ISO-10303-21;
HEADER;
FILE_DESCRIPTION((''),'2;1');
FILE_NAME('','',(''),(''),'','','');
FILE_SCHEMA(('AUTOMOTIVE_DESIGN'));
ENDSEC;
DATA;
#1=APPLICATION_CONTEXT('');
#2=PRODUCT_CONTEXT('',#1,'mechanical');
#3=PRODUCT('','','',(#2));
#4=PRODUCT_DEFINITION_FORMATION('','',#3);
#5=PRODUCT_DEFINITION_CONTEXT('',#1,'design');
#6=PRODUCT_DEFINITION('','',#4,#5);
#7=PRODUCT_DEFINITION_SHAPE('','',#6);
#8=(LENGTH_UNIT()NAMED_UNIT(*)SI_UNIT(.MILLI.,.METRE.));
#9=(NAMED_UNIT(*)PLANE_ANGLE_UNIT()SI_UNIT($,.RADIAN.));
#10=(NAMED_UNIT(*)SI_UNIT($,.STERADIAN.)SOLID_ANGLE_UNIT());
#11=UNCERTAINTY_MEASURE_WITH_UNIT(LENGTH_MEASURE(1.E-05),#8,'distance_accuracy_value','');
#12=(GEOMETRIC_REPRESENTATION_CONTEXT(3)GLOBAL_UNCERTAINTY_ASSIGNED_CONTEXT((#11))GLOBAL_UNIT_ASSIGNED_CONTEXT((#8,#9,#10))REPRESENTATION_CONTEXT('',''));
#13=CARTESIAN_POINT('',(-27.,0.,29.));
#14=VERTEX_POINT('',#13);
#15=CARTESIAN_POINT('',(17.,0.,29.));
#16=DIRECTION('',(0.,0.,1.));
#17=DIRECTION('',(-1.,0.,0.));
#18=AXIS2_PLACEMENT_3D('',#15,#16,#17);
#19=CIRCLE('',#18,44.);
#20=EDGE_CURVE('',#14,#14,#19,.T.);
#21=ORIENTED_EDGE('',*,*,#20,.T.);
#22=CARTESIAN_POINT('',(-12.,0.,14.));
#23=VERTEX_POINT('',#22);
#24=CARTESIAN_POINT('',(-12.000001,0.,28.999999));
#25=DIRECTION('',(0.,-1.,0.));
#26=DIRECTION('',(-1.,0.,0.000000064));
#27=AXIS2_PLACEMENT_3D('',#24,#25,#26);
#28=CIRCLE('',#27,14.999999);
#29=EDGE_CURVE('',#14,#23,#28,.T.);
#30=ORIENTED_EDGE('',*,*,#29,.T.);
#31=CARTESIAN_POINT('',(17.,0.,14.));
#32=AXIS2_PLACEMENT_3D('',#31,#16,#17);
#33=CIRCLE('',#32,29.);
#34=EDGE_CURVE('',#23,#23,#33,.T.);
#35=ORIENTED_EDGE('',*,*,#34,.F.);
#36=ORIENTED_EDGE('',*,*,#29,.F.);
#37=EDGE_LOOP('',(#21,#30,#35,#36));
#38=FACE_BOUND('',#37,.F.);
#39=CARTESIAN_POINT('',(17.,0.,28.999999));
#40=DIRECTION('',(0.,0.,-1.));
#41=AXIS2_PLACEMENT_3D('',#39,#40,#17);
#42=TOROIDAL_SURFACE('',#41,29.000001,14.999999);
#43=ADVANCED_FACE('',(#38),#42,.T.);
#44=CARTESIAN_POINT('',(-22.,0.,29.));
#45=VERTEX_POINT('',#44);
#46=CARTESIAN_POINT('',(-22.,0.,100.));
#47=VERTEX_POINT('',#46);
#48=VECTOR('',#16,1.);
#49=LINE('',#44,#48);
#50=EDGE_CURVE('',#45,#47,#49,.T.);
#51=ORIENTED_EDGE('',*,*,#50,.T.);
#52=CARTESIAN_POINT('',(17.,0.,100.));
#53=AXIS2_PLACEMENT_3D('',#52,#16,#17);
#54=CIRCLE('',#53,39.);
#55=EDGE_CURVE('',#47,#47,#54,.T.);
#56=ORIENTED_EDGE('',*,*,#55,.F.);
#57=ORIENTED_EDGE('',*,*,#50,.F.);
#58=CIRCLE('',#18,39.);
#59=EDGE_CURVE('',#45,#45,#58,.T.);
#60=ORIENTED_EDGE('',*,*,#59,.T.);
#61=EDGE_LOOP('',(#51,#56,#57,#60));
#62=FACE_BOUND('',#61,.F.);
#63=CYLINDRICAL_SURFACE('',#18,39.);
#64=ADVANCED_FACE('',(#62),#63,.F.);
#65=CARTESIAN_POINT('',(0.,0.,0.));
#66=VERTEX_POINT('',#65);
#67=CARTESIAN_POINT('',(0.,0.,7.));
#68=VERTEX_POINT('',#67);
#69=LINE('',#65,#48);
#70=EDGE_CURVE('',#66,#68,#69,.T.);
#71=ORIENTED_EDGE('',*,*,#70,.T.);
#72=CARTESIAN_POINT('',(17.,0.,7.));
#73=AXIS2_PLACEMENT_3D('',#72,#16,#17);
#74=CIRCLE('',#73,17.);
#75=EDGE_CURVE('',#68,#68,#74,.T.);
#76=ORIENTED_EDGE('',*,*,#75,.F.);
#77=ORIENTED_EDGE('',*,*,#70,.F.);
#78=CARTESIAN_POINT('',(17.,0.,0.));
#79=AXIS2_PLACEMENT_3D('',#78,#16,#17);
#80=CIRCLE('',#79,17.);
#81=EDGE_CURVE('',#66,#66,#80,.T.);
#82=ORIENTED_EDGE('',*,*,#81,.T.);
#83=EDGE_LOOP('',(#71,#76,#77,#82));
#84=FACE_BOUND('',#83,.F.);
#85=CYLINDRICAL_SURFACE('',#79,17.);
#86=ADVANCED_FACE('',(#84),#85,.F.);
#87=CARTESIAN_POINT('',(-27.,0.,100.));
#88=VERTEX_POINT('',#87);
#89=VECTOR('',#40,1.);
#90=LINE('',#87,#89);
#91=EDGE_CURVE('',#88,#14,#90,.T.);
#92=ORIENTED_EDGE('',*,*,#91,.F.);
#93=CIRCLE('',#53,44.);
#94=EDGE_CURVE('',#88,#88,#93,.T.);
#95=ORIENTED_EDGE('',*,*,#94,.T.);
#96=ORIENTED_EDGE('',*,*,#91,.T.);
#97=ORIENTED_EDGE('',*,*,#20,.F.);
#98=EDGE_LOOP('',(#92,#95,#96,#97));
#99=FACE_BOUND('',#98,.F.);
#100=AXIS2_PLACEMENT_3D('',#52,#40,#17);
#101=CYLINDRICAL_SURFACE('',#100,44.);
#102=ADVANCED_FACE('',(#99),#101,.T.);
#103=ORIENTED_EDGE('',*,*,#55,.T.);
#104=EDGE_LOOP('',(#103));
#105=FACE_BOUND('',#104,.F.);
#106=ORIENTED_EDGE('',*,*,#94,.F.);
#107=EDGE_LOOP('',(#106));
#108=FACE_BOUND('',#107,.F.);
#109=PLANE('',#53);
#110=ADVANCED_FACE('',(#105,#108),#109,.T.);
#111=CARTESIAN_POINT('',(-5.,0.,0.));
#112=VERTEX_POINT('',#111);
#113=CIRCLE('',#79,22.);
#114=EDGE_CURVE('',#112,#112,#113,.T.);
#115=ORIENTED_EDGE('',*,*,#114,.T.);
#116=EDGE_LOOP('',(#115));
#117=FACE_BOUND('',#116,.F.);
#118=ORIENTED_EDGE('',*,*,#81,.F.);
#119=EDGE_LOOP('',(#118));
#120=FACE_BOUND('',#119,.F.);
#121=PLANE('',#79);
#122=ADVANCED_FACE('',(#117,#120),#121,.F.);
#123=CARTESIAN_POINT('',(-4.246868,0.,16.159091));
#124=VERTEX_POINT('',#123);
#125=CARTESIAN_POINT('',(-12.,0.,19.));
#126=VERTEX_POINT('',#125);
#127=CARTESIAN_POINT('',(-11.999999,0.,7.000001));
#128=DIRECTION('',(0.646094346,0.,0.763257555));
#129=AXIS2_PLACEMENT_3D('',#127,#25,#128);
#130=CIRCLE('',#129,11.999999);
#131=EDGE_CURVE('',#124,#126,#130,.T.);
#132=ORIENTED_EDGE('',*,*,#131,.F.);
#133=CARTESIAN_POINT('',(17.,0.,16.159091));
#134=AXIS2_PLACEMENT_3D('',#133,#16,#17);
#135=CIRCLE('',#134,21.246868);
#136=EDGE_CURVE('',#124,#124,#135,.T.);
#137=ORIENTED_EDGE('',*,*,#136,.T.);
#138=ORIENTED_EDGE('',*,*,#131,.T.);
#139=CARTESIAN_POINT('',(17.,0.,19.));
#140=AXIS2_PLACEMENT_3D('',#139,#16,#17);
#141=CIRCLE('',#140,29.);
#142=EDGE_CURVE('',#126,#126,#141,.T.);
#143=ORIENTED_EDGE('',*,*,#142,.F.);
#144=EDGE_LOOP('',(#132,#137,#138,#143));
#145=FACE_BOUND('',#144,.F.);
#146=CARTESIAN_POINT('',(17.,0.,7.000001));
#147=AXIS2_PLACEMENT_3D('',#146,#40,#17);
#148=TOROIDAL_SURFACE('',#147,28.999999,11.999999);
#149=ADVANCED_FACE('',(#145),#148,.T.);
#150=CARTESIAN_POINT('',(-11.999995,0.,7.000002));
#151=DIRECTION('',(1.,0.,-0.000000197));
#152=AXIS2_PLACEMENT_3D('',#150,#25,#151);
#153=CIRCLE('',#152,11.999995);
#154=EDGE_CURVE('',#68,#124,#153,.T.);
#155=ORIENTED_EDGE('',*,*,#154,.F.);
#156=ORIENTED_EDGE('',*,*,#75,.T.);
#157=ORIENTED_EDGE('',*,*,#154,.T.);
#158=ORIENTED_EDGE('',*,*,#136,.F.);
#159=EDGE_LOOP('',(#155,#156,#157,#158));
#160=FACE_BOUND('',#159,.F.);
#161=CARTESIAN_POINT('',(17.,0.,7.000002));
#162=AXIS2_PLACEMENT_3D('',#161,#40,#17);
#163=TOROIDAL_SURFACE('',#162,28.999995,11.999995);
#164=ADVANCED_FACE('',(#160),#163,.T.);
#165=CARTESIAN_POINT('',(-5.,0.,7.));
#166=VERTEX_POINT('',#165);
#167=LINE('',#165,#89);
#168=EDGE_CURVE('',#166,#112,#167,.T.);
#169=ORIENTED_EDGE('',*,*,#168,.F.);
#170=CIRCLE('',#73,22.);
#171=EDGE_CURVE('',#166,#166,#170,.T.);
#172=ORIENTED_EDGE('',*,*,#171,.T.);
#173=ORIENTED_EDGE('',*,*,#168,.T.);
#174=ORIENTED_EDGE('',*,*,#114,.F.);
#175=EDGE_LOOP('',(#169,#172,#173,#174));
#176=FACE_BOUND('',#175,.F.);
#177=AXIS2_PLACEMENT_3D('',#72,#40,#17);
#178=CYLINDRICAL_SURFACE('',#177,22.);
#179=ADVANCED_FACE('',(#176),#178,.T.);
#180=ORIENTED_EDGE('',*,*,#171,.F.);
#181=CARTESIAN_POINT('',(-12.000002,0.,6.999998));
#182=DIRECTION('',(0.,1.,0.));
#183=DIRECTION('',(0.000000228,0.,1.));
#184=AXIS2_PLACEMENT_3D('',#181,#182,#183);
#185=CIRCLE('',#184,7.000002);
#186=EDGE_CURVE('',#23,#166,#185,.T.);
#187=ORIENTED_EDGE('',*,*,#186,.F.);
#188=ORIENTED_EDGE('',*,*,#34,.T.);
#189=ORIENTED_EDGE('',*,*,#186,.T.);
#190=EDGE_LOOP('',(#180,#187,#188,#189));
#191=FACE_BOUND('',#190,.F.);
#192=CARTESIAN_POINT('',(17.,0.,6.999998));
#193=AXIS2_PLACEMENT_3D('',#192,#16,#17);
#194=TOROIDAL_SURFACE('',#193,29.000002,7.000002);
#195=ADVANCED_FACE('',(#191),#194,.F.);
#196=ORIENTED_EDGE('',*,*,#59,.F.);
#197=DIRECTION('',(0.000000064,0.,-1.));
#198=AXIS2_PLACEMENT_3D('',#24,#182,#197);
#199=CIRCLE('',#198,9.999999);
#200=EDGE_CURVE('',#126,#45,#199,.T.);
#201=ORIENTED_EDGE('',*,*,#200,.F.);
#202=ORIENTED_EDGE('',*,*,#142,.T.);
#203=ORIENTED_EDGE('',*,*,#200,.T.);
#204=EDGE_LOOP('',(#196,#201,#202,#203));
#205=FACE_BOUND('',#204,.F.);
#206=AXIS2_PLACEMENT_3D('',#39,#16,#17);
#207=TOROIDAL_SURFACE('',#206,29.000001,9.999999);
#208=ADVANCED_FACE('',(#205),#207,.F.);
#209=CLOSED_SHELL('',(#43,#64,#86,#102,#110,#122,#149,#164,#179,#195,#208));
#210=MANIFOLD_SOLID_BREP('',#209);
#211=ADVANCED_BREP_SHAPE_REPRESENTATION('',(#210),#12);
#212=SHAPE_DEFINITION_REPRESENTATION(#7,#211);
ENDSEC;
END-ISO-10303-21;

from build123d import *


with BuildPart() as f1:
    # F0 (on Front) → F1 (revolve)
    with BuildSketch(Plane.XZ):
        with BuildLine():
            Line((-5, 0), (0, 0))
            Line((0, 0), (0, 7))
            ThreePointArc((0, 7), (-1.113366, 12.047892), (-4.246868, 16.159091))
            ThreePointArc((-4.246868, 16.159091), (-7.871386, 18.267411), (-12, 19))
            ThreePointArc((-12, 19), (-19.071068, 21.928932), (-22, 29))
            Line((-22, 29), (-22, 100))
            Line((-22, 100), (-27, 100))
            Line((-27, 100), (-27, 29))
            ThreePointArc((-27, 29), (-22.606602, 18.393398), (-12, 14))
            ThreePointArc((-12, 14), (-7.050253, 11.949747), (-5, 7))
            Line((-5, 7), (-5, 0))
        make_face()
    revolve(axis=Axis((17, 0, 30.384544), (0, 0, 1)))


solid = f1.part
